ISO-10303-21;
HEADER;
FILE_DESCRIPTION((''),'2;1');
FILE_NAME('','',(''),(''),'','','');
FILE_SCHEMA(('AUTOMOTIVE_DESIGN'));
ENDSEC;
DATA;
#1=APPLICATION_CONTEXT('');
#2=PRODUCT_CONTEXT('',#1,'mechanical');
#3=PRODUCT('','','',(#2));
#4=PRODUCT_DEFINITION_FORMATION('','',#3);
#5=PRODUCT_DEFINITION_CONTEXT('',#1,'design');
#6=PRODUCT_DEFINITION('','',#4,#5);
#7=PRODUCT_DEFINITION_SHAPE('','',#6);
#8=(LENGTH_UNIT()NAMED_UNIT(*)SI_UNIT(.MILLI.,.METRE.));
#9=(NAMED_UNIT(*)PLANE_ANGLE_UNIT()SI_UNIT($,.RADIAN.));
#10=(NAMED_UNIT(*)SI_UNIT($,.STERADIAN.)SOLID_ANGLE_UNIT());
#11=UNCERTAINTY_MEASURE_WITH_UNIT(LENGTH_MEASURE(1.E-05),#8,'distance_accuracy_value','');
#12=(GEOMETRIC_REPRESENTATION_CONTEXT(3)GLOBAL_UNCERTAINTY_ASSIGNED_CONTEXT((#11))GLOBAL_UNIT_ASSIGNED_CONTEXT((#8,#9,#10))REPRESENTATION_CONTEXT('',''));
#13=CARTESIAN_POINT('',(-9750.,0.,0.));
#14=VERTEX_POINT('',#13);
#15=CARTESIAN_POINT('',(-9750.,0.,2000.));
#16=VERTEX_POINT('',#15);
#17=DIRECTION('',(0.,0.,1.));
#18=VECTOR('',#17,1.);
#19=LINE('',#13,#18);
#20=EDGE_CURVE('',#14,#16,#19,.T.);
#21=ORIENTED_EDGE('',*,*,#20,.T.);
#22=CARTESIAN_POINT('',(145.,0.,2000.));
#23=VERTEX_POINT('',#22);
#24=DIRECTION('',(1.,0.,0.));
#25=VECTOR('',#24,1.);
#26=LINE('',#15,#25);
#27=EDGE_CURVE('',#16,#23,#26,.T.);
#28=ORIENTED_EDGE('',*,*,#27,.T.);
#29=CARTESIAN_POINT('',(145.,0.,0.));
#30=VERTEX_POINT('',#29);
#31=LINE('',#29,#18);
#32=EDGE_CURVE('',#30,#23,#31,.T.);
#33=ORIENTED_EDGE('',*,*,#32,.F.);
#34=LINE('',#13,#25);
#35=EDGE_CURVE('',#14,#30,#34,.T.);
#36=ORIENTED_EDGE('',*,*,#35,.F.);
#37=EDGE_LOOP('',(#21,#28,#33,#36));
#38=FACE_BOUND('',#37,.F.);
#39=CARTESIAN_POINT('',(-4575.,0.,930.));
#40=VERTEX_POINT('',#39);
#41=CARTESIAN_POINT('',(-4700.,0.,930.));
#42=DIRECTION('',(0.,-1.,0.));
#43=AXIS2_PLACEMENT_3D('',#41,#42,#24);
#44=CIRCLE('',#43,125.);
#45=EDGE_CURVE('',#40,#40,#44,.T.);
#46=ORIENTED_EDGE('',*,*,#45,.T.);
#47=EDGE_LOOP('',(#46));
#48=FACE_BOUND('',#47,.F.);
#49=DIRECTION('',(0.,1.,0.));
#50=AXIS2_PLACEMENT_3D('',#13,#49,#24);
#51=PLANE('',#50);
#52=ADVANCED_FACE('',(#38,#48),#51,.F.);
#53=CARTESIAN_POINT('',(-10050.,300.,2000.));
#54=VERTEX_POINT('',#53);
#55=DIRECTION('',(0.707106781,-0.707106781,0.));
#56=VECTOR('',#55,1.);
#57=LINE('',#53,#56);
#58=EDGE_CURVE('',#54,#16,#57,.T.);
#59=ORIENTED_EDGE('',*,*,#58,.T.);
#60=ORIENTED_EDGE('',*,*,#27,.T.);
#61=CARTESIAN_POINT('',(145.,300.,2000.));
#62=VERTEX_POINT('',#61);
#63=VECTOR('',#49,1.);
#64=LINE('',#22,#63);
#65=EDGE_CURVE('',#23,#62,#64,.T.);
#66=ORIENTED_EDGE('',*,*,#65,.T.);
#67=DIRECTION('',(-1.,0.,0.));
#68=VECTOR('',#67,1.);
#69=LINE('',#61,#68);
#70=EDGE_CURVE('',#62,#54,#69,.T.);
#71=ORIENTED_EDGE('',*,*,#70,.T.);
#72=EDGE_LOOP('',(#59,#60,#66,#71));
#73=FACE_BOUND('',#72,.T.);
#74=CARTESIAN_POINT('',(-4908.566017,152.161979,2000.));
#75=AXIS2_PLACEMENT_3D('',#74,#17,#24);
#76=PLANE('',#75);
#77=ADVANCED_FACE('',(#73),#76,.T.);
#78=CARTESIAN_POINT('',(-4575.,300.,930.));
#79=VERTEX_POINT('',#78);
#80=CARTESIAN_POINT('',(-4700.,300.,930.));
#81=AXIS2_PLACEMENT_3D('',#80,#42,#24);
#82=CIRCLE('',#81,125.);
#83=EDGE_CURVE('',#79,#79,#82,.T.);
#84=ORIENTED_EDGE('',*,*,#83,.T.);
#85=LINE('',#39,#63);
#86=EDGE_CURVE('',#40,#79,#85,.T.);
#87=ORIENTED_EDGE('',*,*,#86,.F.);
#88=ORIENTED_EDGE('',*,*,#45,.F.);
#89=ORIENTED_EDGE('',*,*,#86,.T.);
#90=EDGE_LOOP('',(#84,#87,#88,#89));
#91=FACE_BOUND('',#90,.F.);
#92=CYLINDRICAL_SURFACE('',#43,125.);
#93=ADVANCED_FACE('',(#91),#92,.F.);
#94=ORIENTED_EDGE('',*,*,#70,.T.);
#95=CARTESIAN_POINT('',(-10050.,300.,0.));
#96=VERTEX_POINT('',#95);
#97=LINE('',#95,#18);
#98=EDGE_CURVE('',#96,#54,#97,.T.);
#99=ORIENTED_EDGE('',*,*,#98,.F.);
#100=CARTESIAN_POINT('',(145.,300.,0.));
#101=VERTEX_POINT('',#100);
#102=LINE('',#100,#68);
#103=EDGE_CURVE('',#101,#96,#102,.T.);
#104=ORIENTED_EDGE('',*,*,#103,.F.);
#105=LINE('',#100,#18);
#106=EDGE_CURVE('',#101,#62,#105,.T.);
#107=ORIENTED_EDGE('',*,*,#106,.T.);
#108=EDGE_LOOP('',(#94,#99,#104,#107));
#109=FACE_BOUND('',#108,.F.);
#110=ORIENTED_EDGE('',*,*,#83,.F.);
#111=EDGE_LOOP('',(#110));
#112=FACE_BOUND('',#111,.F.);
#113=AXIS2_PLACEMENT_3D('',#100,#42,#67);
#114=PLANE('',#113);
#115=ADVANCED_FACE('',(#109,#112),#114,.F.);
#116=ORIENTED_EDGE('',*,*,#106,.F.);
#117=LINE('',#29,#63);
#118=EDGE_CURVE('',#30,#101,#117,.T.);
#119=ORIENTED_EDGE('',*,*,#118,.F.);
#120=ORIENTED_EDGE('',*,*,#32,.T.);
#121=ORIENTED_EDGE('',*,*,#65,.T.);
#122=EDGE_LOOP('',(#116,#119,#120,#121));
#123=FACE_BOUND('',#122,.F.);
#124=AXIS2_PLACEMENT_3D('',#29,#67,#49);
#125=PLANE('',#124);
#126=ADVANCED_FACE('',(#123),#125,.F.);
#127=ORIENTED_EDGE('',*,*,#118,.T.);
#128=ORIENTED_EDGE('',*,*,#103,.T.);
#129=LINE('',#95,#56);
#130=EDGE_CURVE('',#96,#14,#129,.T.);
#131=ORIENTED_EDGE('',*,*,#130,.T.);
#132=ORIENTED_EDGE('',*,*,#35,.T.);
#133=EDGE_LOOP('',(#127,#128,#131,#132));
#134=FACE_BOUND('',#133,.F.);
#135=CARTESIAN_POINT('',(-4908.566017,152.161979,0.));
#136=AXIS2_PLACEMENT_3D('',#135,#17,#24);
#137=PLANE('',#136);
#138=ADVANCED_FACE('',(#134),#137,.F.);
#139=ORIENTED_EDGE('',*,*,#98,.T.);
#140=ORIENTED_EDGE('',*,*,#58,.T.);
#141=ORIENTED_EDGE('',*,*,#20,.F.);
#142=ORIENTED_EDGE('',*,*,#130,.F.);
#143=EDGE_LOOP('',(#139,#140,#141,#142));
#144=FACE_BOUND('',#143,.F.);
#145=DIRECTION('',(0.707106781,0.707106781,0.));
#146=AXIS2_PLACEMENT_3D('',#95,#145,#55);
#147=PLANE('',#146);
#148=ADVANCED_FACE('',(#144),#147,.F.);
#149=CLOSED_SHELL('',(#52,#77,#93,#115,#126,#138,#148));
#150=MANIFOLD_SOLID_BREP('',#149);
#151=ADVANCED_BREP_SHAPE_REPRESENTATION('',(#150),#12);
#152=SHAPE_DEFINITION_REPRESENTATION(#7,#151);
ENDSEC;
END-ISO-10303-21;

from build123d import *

# Parameters (mm, degrees)
F1_DEPTH = 2000
F2_R     = 125
F3_DEPTH = 300.001


with BuildPart() as f1:
    # F0 (on Top) → F1 (new body)
    with BuildSketch(Plane.XY):
        Polygon((-10050, 300), (-9750, 0), (0, 0), (145, 0), (145, 300), align=None)
    extrude(amount=F1_DEPTH)

    # F2 (on Front) → F3 (cut, through all)
    with BuildSketch(Plane.XZ):
        with Locations((-4700, 930)):
            Circle(F2_R)
    extrude(amount=-F3_DEPTH, mode=Mode.SUBTRACT)


solid = f1.part
